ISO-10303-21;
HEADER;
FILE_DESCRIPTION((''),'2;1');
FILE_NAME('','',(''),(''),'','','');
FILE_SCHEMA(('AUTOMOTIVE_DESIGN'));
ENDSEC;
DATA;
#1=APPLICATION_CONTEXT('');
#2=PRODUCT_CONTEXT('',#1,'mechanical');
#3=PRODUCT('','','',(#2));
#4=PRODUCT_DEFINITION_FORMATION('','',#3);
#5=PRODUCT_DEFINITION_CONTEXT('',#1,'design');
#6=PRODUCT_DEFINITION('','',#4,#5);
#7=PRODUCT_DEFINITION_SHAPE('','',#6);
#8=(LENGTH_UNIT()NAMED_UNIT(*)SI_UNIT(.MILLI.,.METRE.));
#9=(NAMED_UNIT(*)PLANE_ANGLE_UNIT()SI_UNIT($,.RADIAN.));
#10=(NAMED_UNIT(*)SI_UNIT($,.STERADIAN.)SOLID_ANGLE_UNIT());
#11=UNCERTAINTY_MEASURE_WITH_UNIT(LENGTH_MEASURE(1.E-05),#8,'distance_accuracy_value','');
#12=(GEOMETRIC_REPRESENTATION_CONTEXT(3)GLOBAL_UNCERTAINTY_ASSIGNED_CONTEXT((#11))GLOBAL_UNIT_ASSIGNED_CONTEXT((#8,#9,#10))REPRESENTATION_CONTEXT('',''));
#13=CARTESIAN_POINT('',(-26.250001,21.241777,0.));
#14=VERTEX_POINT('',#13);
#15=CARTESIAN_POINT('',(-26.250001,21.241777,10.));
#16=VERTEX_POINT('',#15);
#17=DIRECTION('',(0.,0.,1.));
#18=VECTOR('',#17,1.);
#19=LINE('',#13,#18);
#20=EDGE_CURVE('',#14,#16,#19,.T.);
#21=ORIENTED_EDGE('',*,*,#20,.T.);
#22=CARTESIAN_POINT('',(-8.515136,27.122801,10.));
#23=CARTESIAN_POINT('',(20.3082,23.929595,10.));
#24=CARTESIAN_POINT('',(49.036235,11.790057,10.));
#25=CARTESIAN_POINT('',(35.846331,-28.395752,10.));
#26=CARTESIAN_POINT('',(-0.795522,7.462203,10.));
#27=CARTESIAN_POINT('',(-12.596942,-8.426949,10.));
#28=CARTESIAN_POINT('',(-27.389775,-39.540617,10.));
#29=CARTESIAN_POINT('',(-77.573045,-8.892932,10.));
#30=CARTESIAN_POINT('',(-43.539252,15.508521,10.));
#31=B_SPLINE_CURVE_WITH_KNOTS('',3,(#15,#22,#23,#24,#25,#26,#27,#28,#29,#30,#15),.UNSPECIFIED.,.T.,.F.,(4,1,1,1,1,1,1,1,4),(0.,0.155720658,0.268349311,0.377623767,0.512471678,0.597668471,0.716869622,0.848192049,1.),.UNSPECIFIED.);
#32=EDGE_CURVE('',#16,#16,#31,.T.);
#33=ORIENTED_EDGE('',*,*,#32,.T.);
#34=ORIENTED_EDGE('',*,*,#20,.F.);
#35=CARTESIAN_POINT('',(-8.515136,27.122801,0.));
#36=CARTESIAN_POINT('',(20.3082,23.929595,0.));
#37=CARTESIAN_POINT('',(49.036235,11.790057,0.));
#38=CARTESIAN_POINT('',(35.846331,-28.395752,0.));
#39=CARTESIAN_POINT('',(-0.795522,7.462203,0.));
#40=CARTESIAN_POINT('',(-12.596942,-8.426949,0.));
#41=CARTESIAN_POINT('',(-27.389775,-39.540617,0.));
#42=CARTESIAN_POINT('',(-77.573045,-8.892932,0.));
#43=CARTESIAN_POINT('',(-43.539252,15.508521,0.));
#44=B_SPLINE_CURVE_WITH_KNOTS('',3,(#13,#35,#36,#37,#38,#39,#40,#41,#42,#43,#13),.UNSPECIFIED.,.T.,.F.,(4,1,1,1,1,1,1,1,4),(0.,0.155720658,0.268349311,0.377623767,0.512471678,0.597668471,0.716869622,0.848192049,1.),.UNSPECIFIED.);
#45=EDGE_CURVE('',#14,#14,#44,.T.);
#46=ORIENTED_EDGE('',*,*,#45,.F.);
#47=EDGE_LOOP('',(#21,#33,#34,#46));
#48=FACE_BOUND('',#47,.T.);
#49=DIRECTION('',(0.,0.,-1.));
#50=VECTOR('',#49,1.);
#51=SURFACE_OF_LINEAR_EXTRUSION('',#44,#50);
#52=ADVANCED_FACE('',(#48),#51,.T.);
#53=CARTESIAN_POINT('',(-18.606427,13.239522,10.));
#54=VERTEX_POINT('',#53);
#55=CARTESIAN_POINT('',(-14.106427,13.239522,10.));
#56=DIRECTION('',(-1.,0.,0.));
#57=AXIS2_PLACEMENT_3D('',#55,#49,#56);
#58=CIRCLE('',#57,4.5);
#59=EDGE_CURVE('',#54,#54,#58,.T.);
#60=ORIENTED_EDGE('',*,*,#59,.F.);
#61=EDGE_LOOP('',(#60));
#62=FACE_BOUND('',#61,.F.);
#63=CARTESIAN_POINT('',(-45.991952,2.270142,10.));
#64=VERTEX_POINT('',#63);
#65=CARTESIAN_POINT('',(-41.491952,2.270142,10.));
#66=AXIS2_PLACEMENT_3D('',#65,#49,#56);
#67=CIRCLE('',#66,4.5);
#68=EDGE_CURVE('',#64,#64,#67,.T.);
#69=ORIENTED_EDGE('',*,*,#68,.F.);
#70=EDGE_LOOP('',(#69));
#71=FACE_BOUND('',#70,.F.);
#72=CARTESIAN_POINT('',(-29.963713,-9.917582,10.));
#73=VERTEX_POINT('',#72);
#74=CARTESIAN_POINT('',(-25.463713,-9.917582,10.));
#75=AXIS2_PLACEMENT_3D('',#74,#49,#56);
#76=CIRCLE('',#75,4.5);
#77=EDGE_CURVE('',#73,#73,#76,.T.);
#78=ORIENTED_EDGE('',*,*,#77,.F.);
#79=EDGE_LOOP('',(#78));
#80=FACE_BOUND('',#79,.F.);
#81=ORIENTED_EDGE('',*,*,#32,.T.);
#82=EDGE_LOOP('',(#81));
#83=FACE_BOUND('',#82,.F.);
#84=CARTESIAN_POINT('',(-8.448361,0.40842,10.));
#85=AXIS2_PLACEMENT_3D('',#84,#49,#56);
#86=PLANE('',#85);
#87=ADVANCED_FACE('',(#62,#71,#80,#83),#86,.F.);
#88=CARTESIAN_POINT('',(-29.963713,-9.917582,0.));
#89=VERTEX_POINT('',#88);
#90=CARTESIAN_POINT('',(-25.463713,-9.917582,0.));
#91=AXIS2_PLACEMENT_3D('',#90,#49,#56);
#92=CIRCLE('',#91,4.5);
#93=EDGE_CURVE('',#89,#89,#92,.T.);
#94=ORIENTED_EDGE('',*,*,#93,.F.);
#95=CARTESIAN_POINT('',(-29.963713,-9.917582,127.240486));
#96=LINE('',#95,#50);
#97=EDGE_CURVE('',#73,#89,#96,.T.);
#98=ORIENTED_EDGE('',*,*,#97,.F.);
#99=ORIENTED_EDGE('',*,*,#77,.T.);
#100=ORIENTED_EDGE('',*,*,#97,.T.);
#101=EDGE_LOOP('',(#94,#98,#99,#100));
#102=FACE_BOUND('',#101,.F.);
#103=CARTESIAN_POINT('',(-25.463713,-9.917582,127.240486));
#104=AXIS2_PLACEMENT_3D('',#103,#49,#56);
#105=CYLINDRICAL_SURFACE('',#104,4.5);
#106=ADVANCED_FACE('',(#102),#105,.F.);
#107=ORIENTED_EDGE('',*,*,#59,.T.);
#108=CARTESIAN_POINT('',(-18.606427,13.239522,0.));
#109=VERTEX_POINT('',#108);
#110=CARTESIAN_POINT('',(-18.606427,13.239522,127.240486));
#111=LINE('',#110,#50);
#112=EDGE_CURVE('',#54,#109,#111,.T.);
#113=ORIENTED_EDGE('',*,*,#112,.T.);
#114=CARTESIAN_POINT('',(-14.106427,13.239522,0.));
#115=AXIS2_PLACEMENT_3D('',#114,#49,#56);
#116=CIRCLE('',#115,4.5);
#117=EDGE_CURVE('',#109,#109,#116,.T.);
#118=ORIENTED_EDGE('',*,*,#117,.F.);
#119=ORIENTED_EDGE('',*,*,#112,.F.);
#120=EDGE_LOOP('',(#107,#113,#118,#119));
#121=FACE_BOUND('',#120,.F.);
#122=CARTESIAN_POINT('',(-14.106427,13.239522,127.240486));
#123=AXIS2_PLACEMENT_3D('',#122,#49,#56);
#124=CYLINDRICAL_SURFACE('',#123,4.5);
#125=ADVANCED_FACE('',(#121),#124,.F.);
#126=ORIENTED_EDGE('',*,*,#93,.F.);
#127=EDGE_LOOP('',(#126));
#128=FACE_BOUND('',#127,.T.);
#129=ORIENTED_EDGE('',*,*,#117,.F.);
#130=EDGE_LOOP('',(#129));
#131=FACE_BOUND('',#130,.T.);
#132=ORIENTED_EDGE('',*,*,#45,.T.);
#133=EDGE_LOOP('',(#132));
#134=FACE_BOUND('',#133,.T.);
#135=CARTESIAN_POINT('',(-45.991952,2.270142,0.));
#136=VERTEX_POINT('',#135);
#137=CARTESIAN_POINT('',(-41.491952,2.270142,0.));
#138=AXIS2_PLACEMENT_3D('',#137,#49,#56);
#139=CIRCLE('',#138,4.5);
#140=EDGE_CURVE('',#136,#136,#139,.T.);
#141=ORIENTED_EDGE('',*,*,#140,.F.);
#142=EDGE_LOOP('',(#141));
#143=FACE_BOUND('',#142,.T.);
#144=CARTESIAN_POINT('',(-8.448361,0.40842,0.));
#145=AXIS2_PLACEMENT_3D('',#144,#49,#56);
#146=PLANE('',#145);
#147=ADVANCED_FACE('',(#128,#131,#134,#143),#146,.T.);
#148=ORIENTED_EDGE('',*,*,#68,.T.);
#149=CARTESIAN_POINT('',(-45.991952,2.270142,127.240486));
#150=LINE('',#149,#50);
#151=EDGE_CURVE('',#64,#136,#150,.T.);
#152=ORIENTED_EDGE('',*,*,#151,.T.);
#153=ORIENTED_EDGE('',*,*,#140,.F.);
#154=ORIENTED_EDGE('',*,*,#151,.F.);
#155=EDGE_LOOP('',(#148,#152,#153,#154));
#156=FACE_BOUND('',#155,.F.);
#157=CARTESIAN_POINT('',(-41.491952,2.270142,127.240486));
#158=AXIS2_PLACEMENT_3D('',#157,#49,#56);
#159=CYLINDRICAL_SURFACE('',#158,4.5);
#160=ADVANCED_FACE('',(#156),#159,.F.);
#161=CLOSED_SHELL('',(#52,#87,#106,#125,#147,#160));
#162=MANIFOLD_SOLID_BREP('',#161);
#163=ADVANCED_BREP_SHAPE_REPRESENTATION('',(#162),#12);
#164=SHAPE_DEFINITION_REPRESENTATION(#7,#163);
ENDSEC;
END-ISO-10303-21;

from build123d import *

# Parameters (mm, degrees)
F1_DEPTH = 10
F3_D     = 9


with BuildPart() as f1:
    # F0 (on Top) → F1 (new body)
    with BuildSketch(Plane.XY):
        with BuildLine():
            add(Edge.make_bspline(
                [(-26.2500010431, 21.2417766452), (-8.5151359392, 27.1228011331), (20.3081997347, 23.929595432), (49.0362352642, 11.7900567731), (35.8463308862, -28.3957516485), (-0.7955218935, 7.4622034136), (-12.5969415791, -8.4269489903), (-27.3897745379, -39.5406172677), (-77.5730451348, -8.8929318363), (-43.5392519563, 15.5085214215), (-26.2500010431, 21.2417766452)],
                knots=[0, 0, 0, 0, 0.1557206584, 0.2683493113, 0.3776237671, 0.5124716778, 0.597668471, 0.7168696222, 0.8481920488, 1, 1, 1, 1], degree=3))
        make_face()
    extrude(amount=F1_DEPTH)

    # F3 (through all)
    with Locations(Plane.XY.offset(10)):
        with Locations((-41.4919517934, 2.2701420821), (-25.463713333, -9.9175823852), (-14.1064273193, 13.2395224646)):
            Hole(F3_D / 2)


solid = f1.part
